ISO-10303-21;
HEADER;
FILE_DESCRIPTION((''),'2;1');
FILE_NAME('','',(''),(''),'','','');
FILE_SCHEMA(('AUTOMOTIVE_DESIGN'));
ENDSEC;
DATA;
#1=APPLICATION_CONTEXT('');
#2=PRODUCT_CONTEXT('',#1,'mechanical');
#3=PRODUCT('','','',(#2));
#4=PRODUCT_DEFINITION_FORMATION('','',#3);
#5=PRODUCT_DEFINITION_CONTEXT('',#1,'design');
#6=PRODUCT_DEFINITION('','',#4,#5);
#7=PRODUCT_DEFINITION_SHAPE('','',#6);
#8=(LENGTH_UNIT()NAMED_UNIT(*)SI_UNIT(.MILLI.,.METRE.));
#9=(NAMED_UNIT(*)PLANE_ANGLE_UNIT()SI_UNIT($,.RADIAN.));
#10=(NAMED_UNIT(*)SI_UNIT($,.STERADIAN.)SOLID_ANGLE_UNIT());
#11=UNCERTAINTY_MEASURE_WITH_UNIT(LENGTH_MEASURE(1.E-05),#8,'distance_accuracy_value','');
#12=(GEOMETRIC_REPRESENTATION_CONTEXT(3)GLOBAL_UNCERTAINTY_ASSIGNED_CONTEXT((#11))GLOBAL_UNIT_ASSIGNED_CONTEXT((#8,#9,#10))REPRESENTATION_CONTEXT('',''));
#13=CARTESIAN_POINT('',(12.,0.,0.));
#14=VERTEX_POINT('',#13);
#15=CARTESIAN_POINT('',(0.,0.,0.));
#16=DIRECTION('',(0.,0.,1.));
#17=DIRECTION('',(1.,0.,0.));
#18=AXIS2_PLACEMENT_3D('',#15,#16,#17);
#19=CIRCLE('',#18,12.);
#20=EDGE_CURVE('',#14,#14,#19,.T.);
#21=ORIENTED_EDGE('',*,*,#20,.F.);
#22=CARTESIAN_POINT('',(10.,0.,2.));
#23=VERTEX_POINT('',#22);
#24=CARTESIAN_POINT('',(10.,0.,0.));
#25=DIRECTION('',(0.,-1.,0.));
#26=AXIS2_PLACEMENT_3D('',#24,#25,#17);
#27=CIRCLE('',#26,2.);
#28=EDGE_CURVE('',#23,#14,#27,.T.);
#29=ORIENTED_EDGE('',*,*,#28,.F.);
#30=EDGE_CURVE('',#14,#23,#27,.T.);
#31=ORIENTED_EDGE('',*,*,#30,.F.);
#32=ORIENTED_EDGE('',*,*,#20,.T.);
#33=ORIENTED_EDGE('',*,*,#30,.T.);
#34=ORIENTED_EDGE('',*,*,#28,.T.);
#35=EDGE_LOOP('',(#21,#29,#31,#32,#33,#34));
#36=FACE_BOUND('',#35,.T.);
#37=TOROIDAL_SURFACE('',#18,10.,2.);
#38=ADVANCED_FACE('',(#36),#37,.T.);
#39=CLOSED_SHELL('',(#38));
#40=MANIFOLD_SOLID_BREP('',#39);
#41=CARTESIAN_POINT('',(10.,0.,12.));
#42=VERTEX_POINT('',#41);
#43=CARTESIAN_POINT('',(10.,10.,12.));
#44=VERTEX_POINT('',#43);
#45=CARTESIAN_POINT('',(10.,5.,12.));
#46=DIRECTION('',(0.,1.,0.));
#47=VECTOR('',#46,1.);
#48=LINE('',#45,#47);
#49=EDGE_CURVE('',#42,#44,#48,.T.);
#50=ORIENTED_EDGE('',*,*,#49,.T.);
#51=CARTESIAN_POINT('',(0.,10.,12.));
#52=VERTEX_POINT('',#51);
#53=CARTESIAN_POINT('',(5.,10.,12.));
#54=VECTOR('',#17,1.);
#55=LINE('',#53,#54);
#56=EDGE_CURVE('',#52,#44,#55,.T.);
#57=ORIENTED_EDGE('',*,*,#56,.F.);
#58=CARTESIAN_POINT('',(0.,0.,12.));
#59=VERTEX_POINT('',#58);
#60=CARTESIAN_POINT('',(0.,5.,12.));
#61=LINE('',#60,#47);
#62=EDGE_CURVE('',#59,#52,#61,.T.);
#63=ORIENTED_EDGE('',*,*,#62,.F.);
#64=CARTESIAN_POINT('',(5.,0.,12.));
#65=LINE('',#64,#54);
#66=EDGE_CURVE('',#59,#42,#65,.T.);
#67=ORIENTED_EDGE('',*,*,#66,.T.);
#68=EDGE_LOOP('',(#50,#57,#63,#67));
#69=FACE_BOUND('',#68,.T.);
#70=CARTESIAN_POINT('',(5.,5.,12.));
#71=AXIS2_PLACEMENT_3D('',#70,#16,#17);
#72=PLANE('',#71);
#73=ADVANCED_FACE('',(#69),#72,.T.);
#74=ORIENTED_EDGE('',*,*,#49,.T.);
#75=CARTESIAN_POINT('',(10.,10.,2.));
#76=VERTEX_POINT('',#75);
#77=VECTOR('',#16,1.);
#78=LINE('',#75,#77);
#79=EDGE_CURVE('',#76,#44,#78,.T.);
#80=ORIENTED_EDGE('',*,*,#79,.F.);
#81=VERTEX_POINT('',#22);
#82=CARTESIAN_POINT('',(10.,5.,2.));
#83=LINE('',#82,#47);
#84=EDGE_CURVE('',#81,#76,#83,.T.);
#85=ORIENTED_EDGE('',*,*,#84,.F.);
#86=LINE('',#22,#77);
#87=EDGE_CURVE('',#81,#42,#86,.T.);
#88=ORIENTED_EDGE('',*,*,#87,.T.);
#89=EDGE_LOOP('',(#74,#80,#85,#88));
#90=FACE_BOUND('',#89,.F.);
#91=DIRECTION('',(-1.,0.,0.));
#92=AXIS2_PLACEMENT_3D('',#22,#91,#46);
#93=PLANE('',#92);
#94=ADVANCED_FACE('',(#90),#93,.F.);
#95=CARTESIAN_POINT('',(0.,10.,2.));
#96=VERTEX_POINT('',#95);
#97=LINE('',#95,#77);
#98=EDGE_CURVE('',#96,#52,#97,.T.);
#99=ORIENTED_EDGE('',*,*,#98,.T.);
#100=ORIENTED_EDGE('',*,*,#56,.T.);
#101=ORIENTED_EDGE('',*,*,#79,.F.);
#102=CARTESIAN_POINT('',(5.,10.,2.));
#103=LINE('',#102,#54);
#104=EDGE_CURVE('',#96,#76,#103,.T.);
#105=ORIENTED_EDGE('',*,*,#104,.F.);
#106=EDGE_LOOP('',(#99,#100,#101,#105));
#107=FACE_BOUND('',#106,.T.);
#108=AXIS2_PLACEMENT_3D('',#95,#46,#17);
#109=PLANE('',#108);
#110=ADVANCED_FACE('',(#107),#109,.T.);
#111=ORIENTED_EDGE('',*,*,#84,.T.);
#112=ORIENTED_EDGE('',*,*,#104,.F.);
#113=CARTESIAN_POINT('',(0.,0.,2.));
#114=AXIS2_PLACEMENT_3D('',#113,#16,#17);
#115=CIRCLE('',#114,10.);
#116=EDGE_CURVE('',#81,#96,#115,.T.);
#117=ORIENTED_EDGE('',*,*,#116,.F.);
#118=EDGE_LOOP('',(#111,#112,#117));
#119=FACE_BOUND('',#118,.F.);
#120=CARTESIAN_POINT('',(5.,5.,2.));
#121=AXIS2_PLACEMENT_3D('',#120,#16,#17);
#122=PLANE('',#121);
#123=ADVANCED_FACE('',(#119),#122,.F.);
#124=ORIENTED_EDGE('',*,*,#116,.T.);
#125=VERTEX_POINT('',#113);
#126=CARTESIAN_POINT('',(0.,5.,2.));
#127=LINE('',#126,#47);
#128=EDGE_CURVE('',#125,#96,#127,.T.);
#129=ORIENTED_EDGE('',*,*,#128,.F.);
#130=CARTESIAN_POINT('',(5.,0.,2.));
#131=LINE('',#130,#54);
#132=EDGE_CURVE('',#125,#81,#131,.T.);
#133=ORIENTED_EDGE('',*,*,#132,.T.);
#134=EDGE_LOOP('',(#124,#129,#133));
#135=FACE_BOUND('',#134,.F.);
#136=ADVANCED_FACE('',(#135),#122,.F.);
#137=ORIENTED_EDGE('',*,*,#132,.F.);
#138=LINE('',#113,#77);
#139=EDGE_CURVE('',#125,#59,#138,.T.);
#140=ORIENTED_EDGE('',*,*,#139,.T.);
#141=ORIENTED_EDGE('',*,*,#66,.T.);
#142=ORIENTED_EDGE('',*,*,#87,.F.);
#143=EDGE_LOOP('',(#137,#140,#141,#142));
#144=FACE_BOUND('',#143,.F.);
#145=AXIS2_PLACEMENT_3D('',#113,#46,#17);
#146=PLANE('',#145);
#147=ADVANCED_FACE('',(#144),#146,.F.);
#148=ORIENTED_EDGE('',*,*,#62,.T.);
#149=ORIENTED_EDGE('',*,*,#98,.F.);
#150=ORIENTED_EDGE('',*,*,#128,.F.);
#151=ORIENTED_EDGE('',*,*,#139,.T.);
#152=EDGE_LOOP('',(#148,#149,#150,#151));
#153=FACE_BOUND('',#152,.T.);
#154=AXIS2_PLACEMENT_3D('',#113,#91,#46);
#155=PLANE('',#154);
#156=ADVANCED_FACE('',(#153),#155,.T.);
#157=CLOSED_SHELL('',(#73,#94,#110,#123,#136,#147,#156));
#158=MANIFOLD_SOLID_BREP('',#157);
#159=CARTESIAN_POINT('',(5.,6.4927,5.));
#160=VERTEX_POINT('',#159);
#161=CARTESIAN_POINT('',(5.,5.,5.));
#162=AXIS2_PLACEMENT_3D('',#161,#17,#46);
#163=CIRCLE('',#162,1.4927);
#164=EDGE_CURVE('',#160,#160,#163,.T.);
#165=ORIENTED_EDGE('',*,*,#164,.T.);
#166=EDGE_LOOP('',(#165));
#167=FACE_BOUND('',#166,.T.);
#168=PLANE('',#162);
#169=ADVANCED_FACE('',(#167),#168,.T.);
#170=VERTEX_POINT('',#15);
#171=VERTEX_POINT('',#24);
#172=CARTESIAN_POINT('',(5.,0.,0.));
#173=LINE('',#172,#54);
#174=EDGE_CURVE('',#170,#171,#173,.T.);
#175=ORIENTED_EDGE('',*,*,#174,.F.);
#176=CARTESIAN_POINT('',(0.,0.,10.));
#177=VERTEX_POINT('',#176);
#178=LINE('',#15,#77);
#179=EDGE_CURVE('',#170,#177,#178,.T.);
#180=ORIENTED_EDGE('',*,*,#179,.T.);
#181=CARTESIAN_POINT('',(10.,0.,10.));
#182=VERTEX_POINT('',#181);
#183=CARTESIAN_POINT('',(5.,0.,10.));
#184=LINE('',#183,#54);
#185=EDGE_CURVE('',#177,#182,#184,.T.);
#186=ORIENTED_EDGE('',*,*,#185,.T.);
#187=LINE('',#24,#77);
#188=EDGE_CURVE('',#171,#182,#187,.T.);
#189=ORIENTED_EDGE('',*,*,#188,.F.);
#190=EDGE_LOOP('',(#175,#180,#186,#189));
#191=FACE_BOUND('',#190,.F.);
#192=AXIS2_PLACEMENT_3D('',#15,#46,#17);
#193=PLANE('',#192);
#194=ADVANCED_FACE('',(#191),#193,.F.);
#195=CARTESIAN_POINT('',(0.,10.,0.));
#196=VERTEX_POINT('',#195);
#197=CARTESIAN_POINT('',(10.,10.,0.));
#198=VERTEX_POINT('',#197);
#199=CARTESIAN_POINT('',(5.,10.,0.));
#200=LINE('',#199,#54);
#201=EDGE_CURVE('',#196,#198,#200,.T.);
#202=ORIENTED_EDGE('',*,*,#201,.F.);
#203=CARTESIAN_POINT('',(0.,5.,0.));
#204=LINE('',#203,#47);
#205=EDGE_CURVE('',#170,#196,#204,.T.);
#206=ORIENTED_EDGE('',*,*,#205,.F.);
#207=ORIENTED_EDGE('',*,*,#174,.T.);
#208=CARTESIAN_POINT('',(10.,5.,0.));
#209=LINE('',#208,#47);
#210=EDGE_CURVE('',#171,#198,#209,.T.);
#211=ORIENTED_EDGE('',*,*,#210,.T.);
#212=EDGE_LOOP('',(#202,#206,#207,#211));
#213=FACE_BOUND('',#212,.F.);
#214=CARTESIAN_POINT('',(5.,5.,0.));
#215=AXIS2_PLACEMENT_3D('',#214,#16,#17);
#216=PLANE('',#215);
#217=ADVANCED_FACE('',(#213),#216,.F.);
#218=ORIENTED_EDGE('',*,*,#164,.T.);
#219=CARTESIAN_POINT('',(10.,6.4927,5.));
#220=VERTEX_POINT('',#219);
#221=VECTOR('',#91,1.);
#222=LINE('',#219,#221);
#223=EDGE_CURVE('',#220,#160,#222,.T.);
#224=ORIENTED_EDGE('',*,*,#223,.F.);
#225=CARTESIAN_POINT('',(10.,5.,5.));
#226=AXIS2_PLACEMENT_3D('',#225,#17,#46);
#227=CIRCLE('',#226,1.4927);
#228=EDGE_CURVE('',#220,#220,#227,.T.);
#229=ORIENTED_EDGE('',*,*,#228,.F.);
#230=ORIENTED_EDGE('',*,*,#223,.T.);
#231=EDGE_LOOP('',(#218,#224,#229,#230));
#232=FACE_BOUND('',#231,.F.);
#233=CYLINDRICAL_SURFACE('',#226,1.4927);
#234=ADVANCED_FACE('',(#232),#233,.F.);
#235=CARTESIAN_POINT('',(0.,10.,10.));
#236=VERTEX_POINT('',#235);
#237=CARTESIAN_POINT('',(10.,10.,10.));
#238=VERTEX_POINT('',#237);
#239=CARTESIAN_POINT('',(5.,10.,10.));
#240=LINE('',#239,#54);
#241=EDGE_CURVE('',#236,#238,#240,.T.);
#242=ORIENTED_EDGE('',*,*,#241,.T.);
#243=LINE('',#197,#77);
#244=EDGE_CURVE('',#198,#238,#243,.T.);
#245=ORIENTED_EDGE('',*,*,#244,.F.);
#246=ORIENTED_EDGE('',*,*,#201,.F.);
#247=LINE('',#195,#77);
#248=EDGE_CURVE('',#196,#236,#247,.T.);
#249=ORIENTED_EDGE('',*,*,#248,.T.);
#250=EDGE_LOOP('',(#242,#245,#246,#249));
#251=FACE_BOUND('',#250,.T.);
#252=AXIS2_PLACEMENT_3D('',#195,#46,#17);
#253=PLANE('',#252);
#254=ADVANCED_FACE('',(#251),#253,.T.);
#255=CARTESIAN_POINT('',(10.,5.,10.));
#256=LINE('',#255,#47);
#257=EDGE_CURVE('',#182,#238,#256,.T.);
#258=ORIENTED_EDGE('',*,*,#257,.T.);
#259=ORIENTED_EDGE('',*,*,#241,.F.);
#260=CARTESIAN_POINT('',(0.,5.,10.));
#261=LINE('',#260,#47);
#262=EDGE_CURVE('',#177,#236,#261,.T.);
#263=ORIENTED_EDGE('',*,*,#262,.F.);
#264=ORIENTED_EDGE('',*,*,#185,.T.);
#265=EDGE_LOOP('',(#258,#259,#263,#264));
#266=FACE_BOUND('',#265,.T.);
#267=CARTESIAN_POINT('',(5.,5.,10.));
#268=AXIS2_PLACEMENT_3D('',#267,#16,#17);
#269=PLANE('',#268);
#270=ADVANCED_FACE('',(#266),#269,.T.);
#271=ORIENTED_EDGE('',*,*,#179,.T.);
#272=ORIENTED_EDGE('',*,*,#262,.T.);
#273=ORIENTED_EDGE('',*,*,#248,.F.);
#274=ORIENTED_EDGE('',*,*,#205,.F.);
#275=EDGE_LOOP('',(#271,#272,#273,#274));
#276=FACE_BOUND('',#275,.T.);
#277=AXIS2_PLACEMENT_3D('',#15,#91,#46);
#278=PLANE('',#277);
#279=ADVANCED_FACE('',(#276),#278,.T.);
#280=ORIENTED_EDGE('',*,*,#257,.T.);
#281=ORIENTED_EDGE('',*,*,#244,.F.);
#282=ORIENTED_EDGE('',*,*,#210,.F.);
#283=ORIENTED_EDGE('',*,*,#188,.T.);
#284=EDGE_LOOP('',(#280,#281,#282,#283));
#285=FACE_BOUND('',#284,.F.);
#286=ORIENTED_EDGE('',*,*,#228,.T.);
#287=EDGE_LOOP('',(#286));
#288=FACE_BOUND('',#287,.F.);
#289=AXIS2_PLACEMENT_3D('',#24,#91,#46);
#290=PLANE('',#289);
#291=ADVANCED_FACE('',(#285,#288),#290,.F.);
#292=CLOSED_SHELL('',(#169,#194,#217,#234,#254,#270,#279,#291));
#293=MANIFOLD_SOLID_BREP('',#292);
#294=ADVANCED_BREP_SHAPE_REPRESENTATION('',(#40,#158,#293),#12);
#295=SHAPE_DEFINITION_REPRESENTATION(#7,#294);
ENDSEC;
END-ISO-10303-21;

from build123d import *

# Parameters (mm, degrees)
TORUS_R      = 2
BOX_W        = 10
BOX_H        = 10
BOX_DEPTH    = 10
SKETCH_R     = 1.4927
POCKET_DEPTH = 5


with BuildPart() as torus:
    # Torus → Torus (revolve)
    with BuildSketch(Plane.XZ):
        with Locations((10, 0)):
            Circle(TORUS_R)
    revolve(axis=Axis((0, 0, 0), (0, 0, 1)))


with BuildPart() as cube:
    # Box → Box (new body)
    with BuildSketch(Plane.XY.offset(2)):
        with Locations((5, 5)):
            Rectangle(BOX_W, BOX_H)
    extrude(amount=BOX_DEPTH)


with BuildPart() as fusion:
    # Fusion base: copy of Cube
    add(cube.part)

    # Fusion: union Torus
    add(torus.part)


with BuildPart() as body:
    # Body base: copy of Cube
    add(cube.part)


with BuildPart() as body_1:
    # BaseFeature placement: moved
    add(body.part.moved(Location((0, 0, -2))))

    # Sketch (on Face2 of BaseFeature) → Pocket (cut)
    with BuildSketch(Plane.YZ.offset(10)):
        with Locations((5, 5)):
            Circle(SKETCH_R)
    extrude(amount=-POCKET_DEPTH, mode=Mode.SUBTRACT)


solid = Compound([fusion.part, body_1.part])
